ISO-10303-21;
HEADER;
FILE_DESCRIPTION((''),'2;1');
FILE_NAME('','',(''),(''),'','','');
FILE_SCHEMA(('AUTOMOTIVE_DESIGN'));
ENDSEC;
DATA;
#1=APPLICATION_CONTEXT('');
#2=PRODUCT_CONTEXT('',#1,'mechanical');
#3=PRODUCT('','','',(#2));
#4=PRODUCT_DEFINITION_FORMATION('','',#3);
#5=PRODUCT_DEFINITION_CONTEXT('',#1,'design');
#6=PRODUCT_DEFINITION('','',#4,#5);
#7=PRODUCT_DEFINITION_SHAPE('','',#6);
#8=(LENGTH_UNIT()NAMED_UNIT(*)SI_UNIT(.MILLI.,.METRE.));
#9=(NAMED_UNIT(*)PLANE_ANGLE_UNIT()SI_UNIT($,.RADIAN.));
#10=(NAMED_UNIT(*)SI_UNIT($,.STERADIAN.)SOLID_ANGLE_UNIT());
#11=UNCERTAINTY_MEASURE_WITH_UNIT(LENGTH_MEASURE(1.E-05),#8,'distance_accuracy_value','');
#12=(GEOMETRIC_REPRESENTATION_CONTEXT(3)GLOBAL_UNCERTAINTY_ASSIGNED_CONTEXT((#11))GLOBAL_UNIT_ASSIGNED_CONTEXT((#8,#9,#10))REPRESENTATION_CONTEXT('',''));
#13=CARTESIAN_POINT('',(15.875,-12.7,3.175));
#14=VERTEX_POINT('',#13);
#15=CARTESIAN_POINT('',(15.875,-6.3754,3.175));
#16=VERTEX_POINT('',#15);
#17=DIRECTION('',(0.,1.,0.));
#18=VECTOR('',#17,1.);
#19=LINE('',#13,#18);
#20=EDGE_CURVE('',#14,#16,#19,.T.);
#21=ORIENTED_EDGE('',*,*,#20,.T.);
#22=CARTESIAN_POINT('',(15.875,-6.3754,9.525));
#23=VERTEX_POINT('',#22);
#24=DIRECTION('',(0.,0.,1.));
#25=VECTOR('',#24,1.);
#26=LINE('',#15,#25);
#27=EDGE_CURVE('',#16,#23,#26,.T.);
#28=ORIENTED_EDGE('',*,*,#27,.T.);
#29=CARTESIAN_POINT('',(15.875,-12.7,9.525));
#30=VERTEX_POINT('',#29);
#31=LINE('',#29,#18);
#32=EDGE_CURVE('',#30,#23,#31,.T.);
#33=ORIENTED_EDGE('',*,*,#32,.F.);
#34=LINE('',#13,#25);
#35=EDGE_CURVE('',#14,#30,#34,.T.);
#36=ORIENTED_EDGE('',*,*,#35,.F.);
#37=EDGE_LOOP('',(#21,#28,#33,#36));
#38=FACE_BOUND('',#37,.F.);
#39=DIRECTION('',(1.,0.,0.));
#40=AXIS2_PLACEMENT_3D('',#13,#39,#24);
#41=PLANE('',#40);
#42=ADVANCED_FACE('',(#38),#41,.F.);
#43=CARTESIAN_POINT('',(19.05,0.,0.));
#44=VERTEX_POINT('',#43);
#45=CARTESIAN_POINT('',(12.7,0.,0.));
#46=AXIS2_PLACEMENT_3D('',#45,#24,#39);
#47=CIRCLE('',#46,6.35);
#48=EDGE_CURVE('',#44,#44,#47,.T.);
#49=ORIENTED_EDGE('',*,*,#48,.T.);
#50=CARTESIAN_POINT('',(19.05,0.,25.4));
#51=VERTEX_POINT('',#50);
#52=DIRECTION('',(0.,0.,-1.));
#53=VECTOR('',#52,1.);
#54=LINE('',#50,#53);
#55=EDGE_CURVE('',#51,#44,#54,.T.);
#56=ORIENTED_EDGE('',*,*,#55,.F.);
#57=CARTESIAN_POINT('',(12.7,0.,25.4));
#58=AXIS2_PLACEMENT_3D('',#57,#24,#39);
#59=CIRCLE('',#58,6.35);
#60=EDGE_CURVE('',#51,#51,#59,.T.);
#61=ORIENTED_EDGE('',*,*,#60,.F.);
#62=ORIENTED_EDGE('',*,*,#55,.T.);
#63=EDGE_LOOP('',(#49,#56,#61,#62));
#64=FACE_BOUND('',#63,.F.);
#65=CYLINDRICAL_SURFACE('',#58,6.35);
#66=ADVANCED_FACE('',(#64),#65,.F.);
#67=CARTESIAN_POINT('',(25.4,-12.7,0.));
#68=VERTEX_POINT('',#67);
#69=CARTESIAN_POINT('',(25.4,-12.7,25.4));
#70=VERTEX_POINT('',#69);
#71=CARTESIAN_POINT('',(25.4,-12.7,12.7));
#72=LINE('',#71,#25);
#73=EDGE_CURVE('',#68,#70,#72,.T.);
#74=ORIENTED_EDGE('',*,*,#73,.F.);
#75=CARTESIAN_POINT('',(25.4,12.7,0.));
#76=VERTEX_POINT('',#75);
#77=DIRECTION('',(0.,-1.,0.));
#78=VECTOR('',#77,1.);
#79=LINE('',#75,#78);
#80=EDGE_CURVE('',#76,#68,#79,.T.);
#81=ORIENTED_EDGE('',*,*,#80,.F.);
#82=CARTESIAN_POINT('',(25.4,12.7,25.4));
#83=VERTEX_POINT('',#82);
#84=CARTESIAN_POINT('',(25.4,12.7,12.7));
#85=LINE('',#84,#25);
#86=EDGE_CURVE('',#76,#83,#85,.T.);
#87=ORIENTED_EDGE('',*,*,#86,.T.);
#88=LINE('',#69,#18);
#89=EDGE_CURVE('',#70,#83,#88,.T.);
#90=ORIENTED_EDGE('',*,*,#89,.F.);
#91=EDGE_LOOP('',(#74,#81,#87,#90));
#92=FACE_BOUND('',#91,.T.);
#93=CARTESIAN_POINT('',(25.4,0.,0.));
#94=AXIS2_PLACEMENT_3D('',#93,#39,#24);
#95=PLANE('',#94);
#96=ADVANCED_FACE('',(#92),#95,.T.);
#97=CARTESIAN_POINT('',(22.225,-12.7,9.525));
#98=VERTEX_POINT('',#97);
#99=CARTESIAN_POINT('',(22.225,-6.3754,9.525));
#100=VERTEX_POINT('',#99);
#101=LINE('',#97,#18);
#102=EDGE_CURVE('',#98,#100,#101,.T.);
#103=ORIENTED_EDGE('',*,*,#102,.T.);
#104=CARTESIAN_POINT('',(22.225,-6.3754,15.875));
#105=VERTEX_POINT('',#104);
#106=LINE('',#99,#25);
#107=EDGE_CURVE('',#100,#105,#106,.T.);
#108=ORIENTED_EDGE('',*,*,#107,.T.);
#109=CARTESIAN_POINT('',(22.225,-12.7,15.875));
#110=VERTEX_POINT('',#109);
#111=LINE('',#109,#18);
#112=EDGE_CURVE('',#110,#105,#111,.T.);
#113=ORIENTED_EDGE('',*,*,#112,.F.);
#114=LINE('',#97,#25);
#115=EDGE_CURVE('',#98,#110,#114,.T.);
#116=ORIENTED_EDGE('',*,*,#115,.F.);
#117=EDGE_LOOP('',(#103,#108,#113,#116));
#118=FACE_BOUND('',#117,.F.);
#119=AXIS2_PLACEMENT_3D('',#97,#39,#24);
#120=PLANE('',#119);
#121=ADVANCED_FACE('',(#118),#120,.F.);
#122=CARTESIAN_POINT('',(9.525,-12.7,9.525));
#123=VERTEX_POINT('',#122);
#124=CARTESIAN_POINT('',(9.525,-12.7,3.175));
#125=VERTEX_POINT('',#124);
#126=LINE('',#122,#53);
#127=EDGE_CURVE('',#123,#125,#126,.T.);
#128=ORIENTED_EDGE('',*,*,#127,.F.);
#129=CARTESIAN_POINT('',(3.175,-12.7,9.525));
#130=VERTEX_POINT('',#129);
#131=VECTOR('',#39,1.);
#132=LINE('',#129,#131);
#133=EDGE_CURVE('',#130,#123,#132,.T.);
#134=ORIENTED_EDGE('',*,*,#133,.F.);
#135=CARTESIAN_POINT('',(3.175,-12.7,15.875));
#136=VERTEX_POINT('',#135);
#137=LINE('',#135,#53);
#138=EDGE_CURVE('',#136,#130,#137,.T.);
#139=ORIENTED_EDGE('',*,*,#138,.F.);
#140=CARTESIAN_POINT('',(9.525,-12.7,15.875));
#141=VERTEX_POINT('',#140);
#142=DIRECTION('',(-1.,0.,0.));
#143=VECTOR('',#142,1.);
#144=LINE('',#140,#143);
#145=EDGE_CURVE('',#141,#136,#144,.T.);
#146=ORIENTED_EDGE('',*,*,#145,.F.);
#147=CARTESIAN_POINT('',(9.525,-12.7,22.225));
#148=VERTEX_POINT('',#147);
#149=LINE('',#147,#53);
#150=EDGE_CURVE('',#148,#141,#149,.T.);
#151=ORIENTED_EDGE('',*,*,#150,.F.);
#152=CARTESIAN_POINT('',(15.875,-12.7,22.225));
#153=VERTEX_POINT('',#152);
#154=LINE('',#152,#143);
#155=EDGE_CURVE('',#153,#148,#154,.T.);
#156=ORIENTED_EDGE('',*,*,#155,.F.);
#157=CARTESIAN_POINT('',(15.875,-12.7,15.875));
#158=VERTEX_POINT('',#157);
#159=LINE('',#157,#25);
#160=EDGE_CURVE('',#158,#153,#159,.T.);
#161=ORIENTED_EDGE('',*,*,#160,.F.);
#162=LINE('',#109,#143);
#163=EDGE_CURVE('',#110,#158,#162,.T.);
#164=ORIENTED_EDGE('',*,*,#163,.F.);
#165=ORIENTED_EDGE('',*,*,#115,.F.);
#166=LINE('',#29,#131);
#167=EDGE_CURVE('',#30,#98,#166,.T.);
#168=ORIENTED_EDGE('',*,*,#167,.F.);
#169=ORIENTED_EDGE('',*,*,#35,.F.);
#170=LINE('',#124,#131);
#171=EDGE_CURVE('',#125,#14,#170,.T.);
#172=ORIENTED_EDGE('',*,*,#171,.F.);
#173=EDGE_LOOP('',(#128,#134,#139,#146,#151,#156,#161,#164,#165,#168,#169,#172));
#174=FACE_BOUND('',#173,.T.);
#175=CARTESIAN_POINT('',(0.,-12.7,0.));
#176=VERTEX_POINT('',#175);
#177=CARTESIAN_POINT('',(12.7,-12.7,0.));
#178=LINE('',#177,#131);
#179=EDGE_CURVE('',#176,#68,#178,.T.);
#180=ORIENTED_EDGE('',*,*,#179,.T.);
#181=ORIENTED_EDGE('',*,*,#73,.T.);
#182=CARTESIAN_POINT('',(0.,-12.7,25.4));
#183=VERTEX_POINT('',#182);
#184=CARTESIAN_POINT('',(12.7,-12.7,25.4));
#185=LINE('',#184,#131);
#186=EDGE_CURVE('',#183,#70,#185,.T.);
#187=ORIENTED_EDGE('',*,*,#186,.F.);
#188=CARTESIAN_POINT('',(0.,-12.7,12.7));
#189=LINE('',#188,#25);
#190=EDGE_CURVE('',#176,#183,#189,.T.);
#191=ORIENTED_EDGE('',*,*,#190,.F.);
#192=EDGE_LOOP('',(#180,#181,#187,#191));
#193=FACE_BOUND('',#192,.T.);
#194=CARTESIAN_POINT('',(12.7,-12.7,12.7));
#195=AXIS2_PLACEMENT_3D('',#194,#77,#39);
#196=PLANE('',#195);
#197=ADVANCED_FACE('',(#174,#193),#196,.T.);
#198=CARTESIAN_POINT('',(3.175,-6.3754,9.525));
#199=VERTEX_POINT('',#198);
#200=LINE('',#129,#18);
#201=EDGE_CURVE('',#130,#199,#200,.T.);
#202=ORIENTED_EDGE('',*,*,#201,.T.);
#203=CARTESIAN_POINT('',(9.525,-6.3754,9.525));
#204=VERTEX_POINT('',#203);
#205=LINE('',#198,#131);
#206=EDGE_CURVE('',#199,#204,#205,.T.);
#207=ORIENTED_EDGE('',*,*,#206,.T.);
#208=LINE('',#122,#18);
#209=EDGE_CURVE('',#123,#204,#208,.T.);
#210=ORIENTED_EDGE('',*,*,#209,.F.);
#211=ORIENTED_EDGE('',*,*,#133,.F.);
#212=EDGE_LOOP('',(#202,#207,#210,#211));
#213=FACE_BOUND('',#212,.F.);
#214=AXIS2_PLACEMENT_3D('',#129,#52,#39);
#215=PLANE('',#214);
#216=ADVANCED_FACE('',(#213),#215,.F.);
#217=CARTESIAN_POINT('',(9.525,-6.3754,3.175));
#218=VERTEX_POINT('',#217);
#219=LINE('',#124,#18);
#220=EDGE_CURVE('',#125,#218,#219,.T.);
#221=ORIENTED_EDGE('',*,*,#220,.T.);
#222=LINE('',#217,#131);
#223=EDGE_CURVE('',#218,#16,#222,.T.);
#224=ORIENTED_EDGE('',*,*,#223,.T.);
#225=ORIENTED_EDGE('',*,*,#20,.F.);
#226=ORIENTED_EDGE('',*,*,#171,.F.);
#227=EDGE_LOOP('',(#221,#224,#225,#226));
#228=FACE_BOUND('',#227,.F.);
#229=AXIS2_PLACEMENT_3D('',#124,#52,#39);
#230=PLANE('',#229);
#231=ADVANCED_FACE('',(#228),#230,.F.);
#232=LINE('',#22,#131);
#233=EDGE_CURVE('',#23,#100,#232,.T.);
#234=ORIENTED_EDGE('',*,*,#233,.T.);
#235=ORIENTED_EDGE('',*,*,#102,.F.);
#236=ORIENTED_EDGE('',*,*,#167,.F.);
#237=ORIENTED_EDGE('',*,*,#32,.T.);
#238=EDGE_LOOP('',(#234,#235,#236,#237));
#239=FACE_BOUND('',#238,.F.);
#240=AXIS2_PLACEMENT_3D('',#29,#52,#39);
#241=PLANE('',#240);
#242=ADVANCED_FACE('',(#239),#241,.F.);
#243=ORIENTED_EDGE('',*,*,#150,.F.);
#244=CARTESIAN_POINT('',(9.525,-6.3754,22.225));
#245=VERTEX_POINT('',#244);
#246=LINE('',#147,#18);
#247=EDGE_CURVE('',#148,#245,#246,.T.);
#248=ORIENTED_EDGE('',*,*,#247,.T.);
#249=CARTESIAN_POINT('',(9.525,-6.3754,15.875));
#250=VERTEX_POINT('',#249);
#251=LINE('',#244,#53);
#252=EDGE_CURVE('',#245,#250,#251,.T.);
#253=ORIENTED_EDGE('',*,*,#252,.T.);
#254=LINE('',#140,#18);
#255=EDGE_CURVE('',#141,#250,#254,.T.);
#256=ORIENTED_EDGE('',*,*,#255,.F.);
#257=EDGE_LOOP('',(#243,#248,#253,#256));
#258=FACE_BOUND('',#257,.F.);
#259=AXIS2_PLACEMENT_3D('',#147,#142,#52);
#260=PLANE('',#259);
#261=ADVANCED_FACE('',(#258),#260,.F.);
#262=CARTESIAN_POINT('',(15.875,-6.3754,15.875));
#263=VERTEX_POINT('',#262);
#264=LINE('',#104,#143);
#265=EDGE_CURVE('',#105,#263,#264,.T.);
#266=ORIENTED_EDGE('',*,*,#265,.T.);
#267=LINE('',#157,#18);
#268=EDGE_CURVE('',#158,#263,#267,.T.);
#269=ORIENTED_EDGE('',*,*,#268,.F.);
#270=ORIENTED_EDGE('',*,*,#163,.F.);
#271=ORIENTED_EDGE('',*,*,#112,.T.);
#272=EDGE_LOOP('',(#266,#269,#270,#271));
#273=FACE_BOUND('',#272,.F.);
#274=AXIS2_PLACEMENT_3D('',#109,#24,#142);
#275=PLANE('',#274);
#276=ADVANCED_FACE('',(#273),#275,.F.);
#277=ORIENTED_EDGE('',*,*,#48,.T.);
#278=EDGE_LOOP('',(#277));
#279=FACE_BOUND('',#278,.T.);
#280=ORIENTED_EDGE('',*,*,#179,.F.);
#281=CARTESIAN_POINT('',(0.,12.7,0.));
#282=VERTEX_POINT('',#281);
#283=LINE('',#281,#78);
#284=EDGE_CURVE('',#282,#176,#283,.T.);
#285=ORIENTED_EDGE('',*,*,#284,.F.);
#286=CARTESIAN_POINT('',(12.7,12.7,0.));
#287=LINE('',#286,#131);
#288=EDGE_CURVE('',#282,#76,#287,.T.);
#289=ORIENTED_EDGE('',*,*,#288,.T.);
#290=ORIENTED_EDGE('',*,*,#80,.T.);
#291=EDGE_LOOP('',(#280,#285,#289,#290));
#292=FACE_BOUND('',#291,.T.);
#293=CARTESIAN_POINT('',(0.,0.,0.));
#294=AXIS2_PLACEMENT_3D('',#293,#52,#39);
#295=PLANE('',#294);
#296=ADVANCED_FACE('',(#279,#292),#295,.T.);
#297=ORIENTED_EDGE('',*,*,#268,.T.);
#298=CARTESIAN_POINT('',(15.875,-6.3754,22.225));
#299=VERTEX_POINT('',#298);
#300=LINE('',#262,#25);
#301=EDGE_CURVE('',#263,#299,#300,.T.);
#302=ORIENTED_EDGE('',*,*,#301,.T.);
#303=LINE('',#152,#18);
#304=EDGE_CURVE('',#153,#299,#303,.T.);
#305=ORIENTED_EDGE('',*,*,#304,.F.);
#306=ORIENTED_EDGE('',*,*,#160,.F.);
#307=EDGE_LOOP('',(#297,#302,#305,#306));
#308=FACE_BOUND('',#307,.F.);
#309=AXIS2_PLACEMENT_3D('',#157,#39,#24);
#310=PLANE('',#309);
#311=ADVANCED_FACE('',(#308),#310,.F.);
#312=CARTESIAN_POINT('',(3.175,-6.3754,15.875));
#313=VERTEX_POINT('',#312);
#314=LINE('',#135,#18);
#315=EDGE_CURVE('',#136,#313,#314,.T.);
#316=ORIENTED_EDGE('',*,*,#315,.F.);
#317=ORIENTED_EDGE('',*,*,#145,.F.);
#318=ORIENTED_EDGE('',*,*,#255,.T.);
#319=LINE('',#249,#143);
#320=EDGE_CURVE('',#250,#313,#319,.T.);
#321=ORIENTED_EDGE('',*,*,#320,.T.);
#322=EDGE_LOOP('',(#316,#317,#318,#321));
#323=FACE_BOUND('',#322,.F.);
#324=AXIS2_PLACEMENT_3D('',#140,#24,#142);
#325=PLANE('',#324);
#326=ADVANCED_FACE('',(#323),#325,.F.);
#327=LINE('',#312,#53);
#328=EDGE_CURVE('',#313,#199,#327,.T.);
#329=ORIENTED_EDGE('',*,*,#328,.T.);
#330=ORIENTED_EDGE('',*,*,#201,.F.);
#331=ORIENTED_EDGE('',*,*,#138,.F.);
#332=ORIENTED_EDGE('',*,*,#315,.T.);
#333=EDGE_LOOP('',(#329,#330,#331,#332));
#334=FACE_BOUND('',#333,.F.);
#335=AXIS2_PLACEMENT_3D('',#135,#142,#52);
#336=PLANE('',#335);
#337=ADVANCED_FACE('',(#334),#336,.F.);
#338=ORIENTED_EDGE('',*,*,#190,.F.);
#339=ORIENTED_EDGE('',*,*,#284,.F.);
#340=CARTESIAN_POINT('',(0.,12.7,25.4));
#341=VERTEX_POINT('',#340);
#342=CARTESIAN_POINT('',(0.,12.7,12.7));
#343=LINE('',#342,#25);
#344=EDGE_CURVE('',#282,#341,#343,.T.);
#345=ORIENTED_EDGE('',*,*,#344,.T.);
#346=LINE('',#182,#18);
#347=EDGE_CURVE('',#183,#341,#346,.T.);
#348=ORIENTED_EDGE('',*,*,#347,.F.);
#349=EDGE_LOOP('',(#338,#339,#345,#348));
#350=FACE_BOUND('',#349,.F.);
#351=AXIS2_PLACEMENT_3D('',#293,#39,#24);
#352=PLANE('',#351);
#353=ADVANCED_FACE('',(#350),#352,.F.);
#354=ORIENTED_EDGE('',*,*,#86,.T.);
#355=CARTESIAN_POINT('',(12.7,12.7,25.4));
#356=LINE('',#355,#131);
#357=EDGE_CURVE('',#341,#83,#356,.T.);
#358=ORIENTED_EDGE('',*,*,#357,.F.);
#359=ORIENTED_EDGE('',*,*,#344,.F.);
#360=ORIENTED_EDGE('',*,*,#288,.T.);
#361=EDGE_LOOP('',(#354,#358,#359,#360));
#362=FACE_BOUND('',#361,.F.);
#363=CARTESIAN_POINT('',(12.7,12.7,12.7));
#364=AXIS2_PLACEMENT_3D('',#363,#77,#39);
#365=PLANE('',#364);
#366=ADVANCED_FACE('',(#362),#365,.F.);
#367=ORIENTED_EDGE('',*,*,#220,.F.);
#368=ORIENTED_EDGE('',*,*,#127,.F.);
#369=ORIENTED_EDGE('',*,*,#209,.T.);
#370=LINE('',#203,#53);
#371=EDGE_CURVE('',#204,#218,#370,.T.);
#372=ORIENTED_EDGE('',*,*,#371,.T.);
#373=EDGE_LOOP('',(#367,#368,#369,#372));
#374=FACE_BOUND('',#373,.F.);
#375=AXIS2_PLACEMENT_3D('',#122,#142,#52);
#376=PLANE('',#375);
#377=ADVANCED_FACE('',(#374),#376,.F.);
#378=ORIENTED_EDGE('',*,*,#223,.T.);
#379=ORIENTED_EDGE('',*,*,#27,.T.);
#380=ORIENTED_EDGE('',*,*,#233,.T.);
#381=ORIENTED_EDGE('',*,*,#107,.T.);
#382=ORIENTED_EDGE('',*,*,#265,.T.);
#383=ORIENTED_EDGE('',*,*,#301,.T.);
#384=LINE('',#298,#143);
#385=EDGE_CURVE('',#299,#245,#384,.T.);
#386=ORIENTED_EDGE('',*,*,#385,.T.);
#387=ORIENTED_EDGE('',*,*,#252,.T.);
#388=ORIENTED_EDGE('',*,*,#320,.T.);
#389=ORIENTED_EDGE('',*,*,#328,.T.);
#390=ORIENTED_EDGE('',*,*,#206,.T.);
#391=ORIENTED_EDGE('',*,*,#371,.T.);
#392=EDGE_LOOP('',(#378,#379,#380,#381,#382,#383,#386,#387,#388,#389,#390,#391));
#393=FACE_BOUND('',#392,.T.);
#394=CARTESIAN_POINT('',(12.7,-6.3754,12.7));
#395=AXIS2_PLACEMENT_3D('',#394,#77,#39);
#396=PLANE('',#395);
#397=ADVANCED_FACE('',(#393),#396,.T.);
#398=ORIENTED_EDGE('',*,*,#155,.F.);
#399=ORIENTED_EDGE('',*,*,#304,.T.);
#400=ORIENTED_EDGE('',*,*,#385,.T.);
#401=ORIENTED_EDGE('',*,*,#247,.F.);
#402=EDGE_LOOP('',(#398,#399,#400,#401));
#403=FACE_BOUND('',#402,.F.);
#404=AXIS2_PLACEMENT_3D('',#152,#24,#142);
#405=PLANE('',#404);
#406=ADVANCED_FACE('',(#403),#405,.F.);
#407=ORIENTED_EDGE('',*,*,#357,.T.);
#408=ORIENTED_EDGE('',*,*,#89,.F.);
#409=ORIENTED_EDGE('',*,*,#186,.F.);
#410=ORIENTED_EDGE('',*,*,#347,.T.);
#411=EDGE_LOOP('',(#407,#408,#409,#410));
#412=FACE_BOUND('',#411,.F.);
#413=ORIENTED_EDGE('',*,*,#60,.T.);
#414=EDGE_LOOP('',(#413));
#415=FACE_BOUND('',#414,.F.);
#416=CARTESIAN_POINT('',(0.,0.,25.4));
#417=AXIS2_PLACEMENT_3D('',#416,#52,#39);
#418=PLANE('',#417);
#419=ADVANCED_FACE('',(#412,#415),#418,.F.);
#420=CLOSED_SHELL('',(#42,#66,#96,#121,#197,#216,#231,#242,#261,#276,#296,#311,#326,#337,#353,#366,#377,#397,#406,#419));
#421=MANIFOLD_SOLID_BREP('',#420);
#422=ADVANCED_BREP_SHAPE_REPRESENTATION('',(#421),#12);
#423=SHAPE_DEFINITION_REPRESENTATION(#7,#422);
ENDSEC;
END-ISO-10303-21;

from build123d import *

# Parameters (mm, degrees)
F0_W     = 25.4
F0_H     = 25.4
F1_DEPTH = 12.7
F2_R     = 6.35
F3_DEPTH = 25.4
F5_DEPTH = 6.3246


with BuildPart() as f1:
    # F0 (on Front) → F1 (new body, symmetric)
    with BuildSketch(Plane.XZ):
        with Locations((12.7, 12.7)):
            Rectangle(F0_W, F0_H)
    extrude(amount=F1_DEPTH, both=True)

    # F2 (on face) → F3 (cut, through all)
    with BuildSketch(Plane.XY.offset(25.4)):
        with Locations((12.7, 0)):
            Circle(F2_R)
    extrude(amount=-F3_DEPTH, mode=Mode.SUBTRACT)

    # F4 (on face) → F5 (cut)
    with BuildSketch(Plane.XZ.offset(12.7)):
        Polygon((15.875, 22.225), (9.525, 22.225), (9.525, 15.875), (3.175, 15.875), (3.175, 9.525), (9.525, 9.525), (9.525, 3.175), (15.875, 3.175), (15.875, 9.525), (22.225, 9.525), (22.225, 15.875), (15.875, 15.875), align=None)
    extrude(amount=-F5_DEPTH, mode=Mode.SUBTRACT)


solid = f1.part
